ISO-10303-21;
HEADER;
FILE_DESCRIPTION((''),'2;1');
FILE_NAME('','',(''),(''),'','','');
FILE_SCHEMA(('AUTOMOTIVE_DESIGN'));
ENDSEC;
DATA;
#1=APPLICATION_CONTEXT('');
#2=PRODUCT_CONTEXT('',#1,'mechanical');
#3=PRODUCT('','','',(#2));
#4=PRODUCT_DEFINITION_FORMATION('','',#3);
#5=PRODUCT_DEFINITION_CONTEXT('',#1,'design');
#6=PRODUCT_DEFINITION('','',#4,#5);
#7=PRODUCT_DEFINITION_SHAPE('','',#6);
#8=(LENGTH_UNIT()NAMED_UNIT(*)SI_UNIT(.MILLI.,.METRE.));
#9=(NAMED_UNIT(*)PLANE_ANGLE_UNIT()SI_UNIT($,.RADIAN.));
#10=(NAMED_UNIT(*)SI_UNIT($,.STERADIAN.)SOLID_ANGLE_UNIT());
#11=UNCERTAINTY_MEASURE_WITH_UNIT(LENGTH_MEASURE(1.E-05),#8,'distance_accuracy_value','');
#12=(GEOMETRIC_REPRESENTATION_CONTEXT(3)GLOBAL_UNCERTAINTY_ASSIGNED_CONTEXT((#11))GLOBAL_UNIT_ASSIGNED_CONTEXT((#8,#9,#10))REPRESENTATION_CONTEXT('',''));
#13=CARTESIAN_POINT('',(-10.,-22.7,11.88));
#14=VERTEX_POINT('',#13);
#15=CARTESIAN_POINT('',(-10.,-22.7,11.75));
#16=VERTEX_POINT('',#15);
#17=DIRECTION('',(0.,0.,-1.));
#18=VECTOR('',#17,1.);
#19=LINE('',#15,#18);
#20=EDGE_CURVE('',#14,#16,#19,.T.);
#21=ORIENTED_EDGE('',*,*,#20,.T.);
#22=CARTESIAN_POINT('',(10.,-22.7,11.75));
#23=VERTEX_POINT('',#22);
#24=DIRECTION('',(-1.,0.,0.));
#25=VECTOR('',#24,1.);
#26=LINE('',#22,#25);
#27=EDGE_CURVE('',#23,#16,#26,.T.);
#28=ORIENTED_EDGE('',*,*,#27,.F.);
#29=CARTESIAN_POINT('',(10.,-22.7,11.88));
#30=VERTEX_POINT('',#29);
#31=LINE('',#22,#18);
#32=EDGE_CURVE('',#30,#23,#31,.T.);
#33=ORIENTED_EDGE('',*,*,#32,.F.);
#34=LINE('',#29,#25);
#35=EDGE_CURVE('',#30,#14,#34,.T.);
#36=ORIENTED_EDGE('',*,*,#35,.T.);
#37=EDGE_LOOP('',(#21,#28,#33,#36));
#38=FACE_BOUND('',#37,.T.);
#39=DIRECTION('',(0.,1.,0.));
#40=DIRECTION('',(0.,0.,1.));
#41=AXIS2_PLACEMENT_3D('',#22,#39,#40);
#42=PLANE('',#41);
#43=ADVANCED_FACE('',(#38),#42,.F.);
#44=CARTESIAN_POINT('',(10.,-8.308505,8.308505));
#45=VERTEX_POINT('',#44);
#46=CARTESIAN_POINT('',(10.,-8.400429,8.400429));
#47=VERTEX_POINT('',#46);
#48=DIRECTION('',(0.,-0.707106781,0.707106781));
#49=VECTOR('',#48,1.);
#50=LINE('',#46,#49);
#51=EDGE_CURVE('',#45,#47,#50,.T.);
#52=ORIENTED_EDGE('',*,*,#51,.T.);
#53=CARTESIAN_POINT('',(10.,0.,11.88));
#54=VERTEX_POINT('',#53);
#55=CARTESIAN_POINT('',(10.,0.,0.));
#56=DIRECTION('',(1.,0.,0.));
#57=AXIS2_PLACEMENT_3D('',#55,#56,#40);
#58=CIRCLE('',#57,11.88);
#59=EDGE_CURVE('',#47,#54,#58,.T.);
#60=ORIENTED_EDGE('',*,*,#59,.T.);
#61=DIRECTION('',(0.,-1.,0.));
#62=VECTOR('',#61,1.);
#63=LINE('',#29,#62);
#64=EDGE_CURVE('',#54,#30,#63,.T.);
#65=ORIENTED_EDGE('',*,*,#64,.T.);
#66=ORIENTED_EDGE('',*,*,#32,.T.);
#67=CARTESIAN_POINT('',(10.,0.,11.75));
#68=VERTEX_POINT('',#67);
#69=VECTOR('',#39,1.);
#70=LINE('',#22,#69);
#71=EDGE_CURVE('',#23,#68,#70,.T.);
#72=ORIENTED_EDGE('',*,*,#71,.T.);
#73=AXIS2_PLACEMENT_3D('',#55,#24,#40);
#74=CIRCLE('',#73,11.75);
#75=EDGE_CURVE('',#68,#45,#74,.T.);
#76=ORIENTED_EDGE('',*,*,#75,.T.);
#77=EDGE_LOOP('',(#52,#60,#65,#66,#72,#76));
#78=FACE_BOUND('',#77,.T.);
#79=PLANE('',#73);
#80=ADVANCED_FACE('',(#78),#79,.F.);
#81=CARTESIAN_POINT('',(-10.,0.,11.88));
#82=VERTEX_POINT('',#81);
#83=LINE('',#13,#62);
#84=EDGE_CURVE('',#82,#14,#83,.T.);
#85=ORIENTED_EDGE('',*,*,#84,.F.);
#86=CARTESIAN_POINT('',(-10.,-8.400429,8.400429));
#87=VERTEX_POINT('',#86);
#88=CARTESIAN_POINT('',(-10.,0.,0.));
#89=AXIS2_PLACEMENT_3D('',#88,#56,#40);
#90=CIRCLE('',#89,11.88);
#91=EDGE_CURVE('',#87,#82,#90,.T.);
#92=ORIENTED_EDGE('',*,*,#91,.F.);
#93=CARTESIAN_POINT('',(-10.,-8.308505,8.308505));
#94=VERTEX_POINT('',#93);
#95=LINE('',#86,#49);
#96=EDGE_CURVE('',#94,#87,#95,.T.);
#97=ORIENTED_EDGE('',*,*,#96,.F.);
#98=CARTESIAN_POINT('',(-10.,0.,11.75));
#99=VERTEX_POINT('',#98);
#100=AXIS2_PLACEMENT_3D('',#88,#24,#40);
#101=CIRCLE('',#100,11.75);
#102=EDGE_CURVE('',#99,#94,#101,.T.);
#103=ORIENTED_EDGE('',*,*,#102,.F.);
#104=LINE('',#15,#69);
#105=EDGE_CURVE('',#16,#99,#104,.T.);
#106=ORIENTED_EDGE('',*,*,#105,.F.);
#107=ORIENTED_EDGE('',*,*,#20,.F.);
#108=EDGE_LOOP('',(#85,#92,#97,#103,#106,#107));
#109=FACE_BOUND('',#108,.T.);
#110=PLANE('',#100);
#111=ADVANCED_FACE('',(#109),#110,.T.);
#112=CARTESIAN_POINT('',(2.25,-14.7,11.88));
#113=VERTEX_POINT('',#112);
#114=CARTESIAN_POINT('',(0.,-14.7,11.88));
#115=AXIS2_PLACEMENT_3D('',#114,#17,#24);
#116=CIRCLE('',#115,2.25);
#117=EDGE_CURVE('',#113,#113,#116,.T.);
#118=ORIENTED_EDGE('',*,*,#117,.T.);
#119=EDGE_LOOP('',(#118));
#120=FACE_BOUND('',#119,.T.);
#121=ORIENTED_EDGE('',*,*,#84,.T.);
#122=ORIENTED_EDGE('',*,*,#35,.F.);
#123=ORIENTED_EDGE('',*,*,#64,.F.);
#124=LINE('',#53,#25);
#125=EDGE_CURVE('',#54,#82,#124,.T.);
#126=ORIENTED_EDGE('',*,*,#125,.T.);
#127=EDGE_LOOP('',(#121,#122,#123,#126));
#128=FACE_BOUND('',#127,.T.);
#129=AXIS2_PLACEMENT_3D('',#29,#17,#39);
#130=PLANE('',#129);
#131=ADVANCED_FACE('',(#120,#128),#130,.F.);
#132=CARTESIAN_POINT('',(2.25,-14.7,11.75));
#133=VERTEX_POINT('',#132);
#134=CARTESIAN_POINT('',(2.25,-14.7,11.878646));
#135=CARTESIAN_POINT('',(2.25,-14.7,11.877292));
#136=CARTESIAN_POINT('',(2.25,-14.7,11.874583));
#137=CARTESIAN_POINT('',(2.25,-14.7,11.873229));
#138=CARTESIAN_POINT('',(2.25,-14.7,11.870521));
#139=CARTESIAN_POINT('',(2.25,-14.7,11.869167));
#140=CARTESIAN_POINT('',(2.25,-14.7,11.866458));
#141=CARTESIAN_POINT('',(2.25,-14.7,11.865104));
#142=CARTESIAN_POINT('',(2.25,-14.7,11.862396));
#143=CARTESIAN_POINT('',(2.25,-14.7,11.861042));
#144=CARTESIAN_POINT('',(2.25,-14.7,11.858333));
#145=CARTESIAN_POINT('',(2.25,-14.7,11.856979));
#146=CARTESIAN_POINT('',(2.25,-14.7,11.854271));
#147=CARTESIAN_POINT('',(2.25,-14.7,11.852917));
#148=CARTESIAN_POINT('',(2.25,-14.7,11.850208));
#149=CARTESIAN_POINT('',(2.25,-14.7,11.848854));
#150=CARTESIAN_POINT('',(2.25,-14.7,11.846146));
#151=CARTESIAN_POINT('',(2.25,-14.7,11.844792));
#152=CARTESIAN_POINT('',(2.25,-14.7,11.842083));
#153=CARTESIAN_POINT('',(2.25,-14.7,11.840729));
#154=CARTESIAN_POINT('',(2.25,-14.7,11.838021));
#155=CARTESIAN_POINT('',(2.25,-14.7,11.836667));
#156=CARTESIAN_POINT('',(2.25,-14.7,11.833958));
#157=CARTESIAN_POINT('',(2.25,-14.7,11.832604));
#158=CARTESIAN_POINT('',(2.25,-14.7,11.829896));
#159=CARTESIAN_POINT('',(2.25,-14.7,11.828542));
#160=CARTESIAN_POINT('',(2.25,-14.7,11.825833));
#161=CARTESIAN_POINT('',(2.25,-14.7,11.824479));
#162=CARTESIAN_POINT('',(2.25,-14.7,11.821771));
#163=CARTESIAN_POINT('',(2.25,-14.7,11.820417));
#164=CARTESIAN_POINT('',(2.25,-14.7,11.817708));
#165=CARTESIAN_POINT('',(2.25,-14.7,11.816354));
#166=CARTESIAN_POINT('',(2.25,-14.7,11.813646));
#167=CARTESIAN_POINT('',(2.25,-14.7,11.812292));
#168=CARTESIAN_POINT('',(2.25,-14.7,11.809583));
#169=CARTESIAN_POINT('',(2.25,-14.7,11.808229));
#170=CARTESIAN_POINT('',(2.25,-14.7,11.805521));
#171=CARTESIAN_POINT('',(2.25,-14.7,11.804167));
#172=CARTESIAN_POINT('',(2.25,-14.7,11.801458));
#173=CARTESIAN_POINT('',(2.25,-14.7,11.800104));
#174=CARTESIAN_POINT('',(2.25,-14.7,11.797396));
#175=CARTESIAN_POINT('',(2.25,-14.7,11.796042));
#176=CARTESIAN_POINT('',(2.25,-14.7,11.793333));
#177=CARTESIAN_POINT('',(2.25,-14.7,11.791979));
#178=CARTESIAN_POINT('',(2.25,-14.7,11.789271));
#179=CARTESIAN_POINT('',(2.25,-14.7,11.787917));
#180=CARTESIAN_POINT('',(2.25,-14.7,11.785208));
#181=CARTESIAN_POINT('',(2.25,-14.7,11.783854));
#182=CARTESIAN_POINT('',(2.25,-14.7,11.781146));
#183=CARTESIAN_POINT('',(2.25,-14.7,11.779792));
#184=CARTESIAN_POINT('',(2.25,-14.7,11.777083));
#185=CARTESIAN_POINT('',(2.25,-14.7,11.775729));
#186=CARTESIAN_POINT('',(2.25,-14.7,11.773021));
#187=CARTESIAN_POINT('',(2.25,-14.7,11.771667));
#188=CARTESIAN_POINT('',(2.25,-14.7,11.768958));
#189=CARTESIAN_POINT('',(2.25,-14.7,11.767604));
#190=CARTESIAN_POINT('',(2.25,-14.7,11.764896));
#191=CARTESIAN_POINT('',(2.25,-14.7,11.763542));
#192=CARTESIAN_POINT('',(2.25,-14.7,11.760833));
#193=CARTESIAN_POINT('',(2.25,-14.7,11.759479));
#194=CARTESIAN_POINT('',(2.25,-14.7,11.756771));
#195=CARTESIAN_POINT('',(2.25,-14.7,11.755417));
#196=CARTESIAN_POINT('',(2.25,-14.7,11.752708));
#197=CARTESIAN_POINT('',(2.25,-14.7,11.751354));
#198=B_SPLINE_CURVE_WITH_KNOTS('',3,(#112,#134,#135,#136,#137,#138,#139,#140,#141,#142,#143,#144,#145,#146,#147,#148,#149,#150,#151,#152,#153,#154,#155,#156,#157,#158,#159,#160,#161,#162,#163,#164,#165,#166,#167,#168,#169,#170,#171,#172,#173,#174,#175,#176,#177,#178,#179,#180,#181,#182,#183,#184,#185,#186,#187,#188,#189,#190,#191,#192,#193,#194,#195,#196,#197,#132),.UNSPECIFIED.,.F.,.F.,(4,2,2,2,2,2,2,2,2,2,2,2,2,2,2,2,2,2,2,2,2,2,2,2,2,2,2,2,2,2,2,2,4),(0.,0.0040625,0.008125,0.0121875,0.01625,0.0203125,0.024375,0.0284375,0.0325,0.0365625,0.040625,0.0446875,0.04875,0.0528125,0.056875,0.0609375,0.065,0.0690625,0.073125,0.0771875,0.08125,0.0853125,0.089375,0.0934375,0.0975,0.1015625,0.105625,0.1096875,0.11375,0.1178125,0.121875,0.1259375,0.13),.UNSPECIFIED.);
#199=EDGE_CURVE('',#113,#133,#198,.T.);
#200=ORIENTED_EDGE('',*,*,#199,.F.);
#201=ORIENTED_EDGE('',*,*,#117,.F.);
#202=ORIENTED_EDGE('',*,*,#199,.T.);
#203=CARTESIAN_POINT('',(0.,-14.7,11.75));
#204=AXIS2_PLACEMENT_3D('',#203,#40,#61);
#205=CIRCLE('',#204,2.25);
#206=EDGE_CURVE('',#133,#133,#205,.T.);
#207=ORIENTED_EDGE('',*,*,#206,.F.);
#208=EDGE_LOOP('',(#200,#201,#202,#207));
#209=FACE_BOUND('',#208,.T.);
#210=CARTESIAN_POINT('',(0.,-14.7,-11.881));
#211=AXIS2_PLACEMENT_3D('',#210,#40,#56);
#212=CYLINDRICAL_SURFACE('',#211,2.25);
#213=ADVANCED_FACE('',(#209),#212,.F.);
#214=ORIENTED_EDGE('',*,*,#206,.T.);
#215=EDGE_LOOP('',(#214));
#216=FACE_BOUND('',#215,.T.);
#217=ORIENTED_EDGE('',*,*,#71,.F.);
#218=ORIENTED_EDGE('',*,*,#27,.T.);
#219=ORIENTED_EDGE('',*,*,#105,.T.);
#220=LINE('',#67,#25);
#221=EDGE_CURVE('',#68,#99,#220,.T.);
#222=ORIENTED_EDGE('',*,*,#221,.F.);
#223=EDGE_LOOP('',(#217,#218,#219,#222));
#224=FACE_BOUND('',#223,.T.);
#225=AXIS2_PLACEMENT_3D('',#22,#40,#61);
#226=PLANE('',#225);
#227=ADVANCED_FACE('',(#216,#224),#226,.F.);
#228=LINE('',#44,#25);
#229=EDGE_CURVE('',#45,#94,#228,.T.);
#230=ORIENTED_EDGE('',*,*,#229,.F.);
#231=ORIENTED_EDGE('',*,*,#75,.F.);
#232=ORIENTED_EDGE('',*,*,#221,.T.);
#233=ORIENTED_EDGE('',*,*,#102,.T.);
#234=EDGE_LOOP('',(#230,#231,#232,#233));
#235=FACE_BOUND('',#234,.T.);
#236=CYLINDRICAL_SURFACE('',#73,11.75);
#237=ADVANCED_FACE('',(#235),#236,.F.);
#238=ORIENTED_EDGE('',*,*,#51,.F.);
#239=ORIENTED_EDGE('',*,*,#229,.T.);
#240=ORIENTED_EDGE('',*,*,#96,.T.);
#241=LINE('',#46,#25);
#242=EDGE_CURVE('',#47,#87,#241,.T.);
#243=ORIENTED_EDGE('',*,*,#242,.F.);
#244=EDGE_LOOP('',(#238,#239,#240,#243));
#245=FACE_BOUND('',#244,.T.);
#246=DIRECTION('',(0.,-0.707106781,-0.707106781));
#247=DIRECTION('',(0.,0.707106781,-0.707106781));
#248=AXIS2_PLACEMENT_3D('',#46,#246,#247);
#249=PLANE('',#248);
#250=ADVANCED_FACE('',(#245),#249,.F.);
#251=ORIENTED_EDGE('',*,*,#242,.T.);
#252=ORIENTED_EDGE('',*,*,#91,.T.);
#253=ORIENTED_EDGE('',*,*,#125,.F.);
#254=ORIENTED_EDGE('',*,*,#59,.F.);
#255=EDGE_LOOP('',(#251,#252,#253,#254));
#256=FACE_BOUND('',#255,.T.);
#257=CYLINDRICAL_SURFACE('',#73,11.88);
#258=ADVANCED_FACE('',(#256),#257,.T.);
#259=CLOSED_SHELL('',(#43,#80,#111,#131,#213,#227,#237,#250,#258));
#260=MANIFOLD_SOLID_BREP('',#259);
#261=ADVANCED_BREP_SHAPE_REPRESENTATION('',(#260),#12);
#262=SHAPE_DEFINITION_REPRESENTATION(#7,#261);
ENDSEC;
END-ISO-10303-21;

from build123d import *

# Parameters (mm, degrees)
BOSS_EXTRUDE1_DEPTH = 10
CUT_EXTRUDE1_REACH  = 36.349
SKETCH2_R           = 2.25


with BuildPart() as part:
    # Sketch1 → Boss-Extrude1 (new, symmetric)
    with BuildSketch(Plane(origin=(0, 0, 0), x_dir=(0, -1, 0), z_dir=(1, 0, 0))):
        with BuildLine():
            Line((8.40042856, -8.40042856), (8.308504679, -8.308504679))
            ThreePointArc((8.308504679, -8.308504679), (-4.49653033, 10.855584507), (0, -11.75))
            Line((0, -11.75), (22.7, -11.75))
            Line((22.7, -11.75), (22.7, -11.88))
            Line((22.7, -11.88), (0, -11.88))
            ThreePointArc((0, -11.88), (-4.546279176, 10.975688846), (8.40042856, -8.40042856))
        make_face()
    extrude(amount=BOSS_EXTRUDE1_DEPTH, both=True)

    # Sketch2 → Cut-Extrude1 (cut, up to next)
    with BuildSketch(Plane(origin=(0, 0, 11.88), x_dir=(-1, 0, 0), z_dir=(0, 0, -1)), mode=Mode.PRIVATE) as cut_extrude1_sk1:
        with Locations(Location((0, -14.7, 0), (0, 0, 180))):
            Circle(SKETCH2_R)
    cut_extrude1_tool1 = extrude(cut_extrude1_sk1.sketch, amount=CUT_EXTRUDE1_REACH, mode=Mode.PRIVATE) & part.part
    add(cut_extrude1_tool1.solids().sort_by_distance((0, -14.7, 11.88))[0], mode=Mode.SUBTRACT)


solid = part.part
